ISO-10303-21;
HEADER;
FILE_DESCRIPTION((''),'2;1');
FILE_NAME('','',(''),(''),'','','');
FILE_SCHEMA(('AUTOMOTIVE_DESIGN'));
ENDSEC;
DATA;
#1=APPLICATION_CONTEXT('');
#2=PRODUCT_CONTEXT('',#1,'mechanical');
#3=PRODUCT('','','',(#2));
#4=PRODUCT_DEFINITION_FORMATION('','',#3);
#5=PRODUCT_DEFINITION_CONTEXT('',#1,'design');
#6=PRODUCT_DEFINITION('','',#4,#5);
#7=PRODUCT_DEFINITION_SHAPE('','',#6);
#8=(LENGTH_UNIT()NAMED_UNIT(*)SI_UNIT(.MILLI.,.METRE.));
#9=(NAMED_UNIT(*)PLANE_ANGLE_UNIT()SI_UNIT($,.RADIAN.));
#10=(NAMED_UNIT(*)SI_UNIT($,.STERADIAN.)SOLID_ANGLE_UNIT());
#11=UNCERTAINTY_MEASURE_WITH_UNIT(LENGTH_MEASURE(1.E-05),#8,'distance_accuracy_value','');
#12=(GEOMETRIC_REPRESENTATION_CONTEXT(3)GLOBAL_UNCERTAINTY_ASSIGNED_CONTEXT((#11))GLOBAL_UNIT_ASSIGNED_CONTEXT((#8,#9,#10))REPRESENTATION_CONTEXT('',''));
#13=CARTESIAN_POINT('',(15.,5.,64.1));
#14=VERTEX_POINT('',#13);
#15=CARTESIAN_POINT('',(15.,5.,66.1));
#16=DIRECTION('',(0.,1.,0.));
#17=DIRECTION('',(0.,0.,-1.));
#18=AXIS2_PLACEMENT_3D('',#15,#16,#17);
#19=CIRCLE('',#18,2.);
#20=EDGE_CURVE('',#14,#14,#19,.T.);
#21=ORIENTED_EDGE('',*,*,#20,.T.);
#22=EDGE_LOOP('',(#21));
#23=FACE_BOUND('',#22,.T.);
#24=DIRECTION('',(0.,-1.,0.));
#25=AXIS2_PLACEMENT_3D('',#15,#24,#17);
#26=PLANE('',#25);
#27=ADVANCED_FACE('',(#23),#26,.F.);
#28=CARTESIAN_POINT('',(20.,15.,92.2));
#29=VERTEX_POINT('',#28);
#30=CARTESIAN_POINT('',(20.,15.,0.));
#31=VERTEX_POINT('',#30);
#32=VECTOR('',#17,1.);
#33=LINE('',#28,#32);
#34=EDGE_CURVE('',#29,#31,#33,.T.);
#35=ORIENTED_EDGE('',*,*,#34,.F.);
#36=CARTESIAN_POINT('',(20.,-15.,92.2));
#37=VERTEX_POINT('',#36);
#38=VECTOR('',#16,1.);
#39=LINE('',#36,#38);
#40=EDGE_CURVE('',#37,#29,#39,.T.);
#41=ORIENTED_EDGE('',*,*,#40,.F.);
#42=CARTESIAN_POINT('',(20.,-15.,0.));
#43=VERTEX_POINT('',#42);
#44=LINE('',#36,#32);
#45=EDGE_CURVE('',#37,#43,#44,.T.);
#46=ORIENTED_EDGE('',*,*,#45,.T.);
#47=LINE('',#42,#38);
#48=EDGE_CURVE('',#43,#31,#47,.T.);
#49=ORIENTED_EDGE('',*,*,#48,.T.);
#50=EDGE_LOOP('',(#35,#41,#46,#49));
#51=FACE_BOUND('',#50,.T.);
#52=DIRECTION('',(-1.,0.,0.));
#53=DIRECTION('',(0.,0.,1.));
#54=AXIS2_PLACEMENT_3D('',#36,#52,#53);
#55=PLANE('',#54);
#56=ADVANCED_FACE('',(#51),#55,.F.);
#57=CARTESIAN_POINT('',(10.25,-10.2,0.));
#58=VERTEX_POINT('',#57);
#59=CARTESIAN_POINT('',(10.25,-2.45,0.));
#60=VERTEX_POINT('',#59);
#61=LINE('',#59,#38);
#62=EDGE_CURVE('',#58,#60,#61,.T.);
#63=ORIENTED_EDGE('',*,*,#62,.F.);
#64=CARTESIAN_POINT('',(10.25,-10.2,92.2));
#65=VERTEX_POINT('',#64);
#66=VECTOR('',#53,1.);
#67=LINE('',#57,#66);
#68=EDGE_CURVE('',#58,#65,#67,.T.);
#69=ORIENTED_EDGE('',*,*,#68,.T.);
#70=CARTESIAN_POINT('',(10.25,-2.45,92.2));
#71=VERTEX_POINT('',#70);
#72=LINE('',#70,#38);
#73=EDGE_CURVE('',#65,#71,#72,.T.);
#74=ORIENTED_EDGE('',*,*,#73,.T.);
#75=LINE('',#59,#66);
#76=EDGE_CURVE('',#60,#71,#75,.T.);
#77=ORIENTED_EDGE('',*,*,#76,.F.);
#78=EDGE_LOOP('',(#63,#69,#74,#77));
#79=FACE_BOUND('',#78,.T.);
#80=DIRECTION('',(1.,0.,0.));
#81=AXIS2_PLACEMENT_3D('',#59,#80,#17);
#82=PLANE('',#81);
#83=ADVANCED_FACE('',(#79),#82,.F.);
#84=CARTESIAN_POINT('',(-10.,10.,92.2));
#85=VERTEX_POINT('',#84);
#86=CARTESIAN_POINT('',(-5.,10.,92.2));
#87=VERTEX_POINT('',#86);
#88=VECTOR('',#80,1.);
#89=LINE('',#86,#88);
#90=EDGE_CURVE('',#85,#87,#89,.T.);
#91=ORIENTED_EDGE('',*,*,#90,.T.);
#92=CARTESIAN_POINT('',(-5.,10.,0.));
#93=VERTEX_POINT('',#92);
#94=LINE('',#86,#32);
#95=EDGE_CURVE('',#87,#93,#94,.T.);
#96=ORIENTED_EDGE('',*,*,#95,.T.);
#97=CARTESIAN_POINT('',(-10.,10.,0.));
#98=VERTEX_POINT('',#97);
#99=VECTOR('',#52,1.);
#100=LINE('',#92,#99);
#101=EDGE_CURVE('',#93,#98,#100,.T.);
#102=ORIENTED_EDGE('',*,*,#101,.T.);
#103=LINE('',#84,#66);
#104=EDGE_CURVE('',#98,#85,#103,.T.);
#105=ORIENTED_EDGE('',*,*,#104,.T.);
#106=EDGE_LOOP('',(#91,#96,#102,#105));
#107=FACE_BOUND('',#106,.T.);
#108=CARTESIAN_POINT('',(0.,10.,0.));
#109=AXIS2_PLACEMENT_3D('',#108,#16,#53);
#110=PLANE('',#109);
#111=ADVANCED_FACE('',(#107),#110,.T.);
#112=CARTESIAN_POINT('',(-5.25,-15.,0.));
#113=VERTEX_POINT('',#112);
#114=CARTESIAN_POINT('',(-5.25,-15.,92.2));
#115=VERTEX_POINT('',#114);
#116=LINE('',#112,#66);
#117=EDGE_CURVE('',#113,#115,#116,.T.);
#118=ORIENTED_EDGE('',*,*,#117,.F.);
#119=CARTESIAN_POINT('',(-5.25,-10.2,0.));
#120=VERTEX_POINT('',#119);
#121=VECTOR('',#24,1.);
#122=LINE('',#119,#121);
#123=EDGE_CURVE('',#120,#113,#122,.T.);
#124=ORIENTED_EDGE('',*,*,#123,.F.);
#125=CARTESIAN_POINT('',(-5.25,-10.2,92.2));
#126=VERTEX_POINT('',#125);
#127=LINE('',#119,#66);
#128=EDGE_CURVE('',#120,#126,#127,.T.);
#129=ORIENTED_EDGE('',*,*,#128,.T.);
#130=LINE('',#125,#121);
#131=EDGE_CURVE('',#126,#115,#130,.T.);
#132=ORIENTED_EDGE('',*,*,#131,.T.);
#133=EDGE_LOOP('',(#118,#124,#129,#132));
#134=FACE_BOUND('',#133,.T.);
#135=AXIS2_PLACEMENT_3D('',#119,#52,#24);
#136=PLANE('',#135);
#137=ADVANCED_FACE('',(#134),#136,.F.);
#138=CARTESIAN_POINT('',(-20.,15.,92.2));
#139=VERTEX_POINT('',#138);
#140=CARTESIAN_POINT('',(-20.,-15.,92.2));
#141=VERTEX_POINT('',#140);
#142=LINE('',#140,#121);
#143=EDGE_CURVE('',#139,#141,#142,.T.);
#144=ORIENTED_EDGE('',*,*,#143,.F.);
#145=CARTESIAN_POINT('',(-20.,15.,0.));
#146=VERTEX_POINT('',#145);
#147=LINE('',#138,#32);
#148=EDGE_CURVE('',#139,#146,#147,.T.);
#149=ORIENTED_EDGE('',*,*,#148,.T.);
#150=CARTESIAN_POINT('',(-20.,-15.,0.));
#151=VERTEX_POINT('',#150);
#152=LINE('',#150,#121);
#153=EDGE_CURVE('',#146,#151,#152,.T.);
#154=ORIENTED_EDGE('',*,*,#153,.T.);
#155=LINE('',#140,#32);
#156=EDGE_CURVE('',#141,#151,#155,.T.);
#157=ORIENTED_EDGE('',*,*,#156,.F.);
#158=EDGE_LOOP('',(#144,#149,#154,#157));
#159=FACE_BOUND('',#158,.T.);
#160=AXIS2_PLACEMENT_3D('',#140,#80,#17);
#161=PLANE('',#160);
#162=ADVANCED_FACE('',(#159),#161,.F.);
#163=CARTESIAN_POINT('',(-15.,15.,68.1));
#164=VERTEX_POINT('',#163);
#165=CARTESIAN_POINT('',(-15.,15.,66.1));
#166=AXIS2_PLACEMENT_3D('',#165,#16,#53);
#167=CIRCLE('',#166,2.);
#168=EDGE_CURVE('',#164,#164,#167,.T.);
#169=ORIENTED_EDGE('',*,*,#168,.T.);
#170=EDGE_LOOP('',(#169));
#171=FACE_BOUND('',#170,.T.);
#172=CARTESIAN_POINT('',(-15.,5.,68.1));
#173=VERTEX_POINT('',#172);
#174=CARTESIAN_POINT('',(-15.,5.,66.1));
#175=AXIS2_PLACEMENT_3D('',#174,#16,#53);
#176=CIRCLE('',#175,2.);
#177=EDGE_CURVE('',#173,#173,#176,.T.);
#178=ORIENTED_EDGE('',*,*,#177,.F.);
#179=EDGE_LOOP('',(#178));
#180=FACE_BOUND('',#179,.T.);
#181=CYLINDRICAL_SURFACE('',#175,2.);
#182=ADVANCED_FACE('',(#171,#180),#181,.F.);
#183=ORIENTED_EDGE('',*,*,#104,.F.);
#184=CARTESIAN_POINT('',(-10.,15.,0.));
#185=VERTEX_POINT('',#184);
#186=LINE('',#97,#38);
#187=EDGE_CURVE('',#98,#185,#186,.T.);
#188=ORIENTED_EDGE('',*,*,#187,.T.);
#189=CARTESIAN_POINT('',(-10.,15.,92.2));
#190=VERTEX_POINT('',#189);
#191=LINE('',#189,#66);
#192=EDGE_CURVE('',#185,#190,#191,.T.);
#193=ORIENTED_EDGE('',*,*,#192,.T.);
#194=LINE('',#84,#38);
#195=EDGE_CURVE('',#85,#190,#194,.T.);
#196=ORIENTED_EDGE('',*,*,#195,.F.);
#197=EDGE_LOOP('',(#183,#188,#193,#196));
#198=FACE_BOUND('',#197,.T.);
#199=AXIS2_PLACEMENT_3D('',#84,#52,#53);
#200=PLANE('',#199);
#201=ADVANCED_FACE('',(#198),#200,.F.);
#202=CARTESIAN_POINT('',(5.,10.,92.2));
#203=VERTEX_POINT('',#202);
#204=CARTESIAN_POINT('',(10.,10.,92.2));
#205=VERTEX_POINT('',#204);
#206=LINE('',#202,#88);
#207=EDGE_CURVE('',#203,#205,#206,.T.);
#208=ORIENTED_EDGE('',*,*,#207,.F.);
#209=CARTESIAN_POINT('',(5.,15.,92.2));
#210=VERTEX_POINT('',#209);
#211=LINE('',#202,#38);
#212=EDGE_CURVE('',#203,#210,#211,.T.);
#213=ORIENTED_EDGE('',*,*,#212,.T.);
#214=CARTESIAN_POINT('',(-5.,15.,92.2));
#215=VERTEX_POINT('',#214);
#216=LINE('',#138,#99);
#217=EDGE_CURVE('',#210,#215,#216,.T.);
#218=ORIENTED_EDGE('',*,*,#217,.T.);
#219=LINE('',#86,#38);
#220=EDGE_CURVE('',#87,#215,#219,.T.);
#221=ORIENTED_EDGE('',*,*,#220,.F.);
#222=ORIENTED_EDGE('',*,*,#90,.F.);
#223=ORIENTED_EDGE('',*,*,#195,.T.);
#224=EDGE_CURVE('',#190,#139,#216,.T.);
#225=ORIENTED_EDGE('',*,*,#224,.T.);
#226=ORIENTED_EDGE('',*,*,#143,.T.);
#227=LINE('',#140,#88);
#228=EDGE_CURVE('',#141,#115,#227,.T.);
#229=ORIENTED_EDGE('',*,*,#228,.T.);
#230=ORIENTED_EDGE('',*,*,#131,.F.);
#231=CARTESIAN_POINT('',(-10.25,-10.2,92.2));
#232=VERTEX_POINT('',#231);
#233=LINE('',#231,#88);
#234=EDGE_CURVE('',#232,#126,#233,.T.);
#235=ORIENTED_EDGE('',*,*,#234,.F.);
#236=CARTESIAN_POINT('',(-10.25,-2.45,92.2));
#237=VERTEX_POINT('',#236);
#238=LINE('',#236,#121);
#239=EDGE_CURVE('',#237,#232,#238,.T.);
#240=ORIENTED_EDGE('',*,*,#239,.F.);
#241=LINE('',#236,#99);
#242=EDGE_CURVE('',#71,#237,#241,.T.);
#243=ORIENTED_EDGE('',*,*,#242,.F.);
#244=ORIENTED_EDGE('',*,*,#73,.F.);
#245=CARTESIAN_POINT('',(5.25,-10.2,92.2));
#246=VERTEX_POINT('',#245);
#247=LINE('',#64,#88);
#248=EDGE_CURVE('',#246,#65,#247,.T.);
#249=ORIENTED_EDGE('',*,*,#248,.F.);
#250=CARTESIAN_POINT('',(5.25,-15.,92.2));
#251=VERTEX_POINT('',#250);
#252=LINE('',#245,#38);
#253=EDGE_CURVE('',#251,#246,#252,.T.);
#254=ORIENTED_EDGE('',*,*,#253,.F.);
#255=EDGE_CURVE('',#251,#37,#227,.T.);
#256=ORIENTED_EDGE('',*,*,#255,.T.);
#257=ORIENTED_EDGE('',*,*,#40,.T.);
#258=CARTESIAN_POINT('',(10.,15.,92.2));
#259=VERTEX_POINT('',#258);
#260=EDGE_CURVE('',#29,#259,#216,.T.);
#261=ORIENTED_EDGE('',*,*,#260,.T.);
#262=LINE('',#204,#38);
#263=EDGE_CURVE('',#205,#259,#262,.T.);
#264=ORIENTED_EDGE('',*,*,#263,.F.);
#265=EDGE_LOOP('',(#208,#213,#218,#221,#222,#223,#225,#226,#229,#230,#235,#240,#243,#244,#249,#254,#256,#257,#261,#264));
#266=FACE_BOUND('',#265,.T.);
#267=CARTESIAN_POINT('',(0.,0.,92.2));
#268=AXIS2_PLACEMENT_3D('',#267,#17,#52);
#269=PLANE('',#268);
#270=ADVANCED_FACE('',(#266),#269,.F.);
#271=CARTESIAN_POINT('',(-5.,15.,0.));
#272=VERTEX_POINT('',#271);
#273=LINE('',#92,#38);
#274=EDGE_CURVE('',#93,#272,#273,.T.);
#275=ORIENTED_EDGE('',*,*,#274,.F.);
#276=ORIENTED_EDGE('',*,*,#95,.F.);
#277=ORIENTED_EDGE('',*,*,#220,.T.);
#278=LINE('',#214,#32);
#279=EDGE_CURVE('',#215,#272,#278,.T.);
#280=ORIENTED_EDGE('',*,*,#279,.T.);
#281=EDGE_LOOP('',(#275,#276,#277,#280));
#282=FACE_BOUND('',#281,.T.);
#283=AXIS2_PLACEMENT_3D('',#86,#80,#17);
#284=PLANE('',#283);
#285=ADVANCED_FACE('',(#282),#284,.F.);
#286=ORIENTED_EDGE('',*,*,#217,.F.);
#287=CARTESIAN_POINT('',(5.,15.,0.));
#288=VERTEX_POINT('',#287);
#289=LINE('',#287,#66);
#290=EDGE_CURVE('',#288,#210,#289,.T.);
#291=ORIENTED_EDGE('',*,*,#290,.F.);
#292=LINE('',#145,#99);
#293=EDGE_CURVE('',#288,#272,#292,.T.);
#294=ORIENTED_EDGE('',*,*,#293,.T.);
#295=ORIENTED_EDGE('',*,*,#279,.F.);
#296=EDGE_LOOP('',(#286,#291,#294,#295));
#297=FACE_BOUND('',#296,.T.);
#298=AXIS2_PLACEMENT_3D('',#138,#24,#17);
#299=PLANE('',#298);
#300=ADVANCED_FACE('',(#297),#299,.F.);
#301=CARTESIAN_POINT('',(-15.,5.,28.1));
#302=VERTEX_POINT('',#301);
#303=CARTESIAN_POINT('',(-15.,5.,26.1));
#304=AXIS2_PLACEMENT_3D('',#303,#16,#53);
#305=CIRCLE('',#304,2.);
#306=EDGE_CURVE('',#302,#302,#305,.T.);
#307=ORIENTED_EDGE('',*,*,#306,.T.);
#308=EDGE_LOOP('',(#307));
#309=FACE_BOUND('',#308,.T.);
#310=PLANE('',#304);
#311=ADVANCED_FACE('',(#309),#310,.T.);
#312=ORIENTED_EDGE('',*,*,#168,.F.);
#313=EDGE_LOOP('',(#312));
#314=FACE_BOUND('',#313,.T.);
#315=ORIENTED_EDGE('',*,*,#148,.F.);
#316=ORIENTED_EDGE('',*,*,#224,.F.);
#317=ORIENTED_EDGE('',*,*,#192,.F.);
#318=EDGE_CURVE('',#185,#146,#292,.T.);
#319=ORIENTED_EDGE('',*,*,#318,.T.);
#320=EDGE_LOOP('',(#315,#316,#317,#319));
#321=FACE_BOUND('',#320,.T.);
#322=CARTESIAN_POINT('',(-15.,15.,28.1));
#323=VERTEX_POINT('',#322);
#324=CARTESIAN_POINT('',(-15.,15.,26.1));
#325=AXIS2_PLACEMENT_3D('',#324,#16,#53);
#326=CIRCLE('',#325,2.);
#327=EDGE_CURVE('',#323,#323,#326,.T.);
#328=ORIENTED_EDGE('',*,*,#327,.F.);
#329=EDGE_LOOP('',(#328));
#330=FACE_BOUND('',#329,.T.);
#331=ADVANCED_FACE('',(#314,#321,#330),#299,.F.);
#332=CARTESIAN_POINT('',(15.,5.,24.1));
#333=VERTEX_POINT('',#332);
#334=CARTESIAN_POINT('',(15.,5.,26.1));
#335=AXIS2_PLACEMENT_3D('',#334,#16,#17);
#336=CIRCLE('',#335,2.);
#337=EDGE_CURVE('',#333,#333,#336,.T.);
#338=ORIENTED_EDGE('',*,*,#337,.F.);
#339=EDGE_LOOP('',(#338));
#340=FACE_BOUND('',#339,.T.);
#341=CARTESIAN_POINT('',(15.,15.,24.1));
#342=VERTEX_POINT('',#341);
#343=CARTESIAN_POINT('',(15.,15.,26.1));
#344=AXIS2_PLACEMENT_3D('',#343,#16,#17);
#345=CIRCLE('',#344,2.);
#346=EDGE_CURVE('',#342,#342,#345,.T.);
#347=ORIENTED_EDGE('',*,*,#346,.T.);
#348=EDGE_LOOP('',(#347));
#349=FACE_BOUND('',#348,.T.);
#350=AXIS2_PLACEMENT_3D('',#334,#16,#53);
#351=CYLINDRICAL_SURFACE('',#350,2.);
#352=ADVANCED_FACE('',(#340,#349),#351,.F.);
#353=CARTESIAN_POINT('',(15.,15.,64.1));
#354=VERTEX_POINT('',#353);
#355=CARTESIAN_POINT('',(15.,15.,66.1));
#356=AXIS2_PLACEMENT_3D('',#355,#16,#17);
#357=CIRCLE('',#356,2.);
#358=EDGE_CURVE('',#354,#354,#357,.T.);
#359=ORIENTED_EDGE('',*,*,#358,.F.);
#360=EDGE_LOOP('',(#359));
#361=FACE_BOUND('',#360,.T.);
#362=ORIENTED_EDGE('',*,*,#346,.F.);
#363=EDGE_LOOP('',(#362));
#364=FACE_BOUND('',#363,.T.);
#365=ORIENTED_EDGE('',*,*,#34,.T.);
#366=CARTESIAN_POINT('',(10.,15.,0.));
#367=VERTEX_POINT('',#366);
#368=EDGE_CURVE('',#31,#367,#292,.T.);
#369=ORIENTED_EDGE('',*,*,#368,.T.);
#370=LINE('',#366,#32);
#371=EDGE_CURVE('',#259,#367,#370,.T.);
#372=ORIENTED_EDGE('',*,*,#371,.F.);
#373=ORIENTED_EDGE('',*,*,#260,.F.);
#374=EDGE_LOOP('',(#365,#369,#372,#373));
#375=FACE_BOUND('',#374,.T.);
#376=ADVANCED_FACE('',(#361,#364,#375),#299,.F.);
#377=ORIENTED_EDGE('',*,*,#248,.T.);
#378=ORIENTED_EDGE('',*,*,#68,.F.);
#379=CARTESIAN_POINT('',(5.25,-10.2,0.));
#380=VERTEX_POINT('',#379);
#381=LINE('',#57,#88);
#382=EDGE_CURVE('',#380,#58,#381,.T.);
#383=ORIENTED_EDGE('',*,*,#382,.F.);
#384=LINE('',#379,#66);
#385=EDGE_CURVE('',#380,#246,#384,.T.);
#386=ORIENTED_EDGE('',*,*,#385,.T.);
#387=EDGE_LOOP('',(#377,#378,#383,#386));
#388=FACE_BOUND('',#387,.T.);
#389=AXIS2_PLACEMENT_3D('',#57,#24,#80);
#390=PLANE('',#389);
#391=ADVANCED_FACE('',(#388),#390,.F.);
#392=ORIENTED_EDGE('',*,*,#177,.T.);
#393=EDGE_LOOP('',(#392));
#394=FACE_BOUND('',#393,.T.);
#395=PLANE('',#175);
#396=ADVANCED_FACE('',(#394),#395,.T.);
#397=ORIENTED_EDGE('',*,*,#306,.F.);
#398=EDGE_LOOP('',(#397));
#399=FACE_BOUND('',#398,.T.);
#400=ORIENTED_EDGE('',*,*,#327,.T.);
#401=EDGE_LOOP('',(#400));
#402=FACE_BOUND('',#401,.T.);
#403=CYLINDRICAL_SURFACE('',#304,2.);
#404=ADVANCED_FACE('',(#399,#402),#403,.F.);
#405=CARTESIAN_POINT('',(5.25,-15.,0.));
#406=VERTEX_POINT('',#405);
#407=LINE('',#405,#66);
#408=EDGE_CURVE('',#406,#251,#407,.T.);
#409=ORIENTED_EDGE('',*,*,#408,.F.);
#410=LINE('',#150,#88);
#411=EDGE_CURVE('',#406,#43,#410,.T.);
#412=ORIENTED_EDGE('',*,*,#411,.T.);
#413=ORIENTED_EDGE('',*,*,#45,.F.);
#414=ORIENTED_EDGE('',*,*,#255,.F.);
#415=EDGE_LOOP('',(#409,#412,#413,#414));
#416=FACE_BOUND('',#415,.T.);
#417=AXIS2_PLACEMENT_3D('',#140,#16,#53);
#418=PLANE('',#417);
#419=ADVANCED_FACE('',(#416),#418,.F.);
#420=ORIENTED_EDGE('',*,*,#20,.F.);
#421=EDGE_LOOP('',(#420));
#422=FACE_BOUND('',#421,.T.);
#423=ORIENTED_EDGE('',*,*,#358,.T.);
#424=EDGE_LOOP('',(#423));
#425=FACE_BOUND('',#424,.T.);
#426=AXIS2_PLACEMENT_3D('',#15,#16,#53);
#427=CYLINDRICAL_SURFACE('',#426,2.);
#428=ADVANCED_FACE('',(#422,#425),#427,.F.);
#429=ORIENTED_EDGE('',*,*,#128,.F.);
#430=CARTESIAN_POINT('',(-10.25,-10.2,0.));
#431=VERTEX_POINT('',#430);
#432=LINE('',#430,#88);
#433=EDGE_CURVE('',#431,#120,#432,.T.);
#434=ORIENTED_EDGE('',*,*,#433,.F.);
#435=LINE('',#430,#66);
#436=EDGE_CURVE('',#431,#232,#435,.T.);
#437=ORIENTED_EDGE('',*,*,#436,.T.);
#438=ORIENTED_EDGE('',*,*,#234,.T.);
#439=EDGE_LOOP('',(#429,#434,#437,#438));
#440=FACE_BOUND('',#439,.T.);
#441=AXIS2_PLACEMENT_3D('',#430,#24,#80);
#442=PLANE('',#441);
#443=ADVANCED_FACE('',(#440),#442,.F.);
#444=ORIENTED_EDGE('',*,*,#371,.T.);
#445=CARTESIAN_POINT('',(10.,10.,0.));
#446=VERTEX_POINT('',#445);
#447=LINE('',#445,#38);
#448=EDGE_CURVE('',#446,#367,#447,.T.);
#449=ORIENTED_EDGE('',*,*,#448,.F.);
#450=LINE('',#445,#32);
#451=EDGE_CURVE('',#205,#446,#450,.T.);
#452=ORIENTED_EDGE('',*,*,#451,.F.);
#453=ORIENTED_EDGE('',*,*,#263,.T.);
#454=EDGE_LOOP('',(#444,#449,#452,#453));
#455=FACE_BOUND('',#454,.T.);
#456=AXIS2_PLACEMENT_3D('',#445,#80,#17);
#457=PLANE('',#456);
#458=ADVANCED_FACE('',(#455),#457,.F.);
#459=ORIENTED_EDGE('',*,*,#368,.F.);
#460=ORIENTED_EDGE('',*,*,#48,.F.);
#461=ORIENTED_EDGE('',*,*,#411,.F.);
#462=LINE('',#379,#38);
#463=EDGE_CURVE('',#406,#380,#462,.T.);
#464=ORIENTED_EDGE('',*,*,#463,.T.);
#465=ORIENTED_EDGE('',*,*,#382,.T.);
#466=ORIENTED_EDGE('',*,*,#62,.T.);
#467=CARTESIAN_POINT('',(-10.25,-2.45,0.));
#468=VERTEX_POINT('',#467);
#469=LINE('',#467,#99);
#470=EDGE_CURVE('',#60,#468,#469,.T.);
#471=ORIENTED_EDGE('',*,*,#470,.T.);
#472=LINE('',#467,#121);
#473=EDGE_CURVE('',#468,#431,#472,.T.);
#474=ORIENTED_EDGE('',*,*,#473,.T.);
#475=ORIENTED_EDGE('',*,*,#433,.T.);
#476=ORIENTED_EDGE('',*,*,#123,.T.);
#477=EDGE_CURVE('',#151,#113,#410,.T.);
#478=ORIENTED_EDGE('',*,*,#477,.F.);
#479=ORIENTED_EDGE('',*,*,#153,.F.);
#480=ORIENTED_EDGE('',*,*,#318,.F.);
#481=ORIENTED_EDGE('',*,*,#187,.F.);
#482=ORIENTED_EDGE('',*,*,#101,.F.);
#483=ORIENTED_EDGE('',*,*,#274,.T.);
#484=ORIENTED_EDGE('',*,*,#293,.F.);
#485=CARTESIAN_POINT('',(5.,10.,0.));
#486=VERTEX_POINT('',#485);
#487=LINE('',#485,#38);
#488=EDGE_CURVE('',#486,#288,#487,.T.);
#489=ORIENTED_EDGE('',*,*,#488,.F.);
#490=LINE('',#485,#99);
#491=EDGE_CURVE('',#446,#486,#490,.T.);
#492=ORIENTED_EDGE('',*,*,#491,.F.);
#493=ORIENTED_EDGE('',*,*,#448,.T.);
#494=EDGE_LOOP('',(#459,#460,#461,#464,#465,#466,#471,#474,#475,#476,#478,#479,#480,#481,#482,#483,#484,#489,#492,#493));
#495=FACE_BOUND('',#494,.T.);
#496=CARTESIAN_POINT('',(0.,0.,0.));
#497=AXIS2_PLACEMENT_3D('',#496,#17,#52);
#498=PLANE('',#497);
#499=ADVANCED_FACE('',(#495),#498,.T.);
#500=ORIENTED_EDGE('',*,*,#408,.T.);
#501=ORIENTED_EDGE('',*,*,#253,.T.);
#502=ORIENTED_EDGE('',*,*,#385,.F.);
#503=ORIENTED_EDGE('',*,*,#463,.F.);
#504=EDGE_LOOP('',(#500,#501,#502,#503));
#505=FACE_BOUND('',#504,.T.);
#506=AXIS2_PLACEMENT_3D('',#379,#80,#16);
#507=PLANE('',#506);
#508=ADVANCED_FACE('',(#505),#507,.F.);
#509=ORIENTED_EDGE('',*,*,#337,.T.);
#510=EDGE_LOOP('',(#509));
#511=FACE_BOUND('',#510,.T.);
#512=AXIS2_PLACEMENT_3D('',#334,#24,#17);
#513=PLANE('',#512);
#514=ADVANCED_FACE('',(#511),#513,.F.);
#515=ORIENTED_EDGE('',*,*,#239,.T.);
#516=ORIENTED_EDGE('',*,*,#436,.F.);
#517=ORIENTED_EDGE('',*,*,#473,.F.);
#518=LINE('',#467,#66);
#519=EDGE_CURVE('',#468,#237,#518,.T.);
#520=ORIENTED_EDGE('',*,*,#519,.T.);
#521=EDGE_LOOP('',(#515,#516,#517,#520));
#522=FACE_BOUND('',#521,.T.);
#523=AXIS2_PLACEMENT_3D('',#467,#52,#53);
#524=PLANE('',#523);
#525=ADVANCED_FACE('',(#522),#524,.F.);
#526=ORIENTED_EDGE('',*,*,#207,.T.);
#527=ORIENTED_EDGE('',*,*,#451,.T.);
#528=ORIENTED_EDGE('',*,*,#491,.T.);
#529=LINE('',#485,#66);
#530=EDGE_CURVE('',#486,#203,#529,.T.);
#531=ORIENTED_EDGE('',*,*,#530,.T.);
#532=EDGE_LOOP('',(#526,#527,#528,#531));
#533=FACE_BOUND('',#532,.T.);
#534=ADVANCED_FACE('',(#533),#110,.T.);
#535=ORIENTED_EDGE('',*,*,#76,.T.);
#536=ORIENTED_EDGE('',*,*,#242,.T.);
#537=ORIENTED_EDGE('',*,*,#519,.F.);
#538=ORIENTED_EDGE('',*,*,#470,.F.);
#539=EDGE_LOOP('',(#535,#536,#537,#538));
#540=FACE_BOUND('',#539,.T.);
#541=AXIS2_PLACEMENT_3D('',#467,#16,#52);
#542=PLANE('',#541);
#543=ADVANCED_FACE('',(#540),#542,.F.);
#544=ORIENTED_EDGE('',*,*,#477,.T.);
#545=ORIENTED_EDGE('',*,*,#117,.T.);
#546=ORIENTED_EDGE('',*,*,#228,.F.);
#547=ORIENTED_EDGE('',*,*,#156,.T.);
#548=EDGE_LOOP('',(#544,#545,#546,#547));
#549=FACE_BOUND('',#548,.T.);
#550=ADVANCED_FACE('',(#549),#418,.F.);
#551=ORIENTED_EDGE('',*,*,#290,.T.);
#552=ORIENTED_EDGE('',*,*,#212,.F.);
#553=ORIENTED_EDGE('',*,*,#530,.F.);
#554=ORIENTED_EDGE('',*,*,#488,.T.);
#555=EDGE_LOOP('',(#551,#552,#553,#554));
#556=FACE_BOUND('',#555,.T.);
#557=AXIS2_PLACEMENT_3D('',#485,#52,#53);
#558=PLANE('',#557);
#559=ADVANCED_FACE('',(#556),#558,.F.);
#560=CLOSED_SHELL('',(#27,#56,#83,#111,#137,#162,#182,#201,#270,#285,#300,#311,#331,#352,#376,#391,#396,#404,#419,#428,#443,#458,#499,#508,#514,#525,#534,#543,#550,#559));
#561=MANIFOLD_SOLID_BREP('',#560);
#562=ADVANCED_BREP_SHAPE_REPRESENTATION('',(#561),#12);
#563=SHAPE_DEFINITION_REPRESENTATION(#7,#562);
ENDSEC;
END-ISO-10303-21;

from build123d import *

# Parameters (mm, degrees)
CROQUIS1_W              = 40
CROQUIS1_H              = 30
SALIENTE_EXTRUIR1_DEPTH = 92.2
CORTAR_EXTRUIR1_DEPTH   = 96.529262532
CROQUIS3_W              = 5
CROQUIS3_H              = 92.2
CORTAR_EXTRUIR2_DEPTH   = 5
CROQUIS4_R              = 2
CORTAR_EXTRUIR3_DEPTH   = 10


with BuildPart() as part:
    # Croquis1 → Saliente-Extruir1 (new body)
    with BuildSketch(Plane.XY):
        Rectangle(CROQUIS1_W, CROQUIS1_H)
    extrude(amount=SALIENTE_EXTRUIR1_DEPTH)

    # Croquis2 → Cortar-Extruir1 (cut, through all)
    with BuildSketch(Plane.XY.offset(92.2)):
        Polygon((-10.25, -2.45), (-10.25, -10.2), (-5.25, -10.2), (-5.25, -15), (5.25, -15), (5.25, -10.2), (10.25, -10.2), (10.25, -2.45), align=None)
    extrude(amount=-CORTAR_EXTRUIR1_DEPTH, mode=Mode.SUBTRACT)

    # Croquis3 → Cortar-Extruir2 (cut)
    with BuildSketch(Plane(origin=(0, 15, 0), x_dir=(1, 0, 0), z_dir=(0, 1, 0))):
        with Locations((-7.5, -46.1)):
            Rectangle(CROQUIS3_W, CROQUIS3_H)
        with Locations((7.5, -46.1)):
            Rectangle(CROQUIS3_W, CROQUIS3_H)
    extrude(amount=-CORTAR_EXTRUIR2_DEPTH, mode=Mode.SUBTRACT)

    # Croquis4 → Cortar-Extruir3 (cut)
    with BuildSketch(Plane(origin=(0, 15, 0), x_dir=(1, 0, 0), z_dir=(0, 1, 0))):
        with Locations(Location((-15, -26.1, 0), (0, 0, 270))):
            Circle(CROQUIS4_R)
        with Locations(Location((-15, -66.1, 0), (0, 0, 270))):
            Circle(CROQUIS4_R)
        with Locations(Location((15, -66.1, 0), (0, 0, 90))):
            Circle(CROQUIS4_R)
        with Locations(Location((15, -26.1, 0), (0, 0, 90))):
            Circle(CROQUIS4_R)
    extrude(amount=-CORTAR_EXTRUIR3_DEPTH, mode=Mode.SUBTRACT)


solid = part.part
